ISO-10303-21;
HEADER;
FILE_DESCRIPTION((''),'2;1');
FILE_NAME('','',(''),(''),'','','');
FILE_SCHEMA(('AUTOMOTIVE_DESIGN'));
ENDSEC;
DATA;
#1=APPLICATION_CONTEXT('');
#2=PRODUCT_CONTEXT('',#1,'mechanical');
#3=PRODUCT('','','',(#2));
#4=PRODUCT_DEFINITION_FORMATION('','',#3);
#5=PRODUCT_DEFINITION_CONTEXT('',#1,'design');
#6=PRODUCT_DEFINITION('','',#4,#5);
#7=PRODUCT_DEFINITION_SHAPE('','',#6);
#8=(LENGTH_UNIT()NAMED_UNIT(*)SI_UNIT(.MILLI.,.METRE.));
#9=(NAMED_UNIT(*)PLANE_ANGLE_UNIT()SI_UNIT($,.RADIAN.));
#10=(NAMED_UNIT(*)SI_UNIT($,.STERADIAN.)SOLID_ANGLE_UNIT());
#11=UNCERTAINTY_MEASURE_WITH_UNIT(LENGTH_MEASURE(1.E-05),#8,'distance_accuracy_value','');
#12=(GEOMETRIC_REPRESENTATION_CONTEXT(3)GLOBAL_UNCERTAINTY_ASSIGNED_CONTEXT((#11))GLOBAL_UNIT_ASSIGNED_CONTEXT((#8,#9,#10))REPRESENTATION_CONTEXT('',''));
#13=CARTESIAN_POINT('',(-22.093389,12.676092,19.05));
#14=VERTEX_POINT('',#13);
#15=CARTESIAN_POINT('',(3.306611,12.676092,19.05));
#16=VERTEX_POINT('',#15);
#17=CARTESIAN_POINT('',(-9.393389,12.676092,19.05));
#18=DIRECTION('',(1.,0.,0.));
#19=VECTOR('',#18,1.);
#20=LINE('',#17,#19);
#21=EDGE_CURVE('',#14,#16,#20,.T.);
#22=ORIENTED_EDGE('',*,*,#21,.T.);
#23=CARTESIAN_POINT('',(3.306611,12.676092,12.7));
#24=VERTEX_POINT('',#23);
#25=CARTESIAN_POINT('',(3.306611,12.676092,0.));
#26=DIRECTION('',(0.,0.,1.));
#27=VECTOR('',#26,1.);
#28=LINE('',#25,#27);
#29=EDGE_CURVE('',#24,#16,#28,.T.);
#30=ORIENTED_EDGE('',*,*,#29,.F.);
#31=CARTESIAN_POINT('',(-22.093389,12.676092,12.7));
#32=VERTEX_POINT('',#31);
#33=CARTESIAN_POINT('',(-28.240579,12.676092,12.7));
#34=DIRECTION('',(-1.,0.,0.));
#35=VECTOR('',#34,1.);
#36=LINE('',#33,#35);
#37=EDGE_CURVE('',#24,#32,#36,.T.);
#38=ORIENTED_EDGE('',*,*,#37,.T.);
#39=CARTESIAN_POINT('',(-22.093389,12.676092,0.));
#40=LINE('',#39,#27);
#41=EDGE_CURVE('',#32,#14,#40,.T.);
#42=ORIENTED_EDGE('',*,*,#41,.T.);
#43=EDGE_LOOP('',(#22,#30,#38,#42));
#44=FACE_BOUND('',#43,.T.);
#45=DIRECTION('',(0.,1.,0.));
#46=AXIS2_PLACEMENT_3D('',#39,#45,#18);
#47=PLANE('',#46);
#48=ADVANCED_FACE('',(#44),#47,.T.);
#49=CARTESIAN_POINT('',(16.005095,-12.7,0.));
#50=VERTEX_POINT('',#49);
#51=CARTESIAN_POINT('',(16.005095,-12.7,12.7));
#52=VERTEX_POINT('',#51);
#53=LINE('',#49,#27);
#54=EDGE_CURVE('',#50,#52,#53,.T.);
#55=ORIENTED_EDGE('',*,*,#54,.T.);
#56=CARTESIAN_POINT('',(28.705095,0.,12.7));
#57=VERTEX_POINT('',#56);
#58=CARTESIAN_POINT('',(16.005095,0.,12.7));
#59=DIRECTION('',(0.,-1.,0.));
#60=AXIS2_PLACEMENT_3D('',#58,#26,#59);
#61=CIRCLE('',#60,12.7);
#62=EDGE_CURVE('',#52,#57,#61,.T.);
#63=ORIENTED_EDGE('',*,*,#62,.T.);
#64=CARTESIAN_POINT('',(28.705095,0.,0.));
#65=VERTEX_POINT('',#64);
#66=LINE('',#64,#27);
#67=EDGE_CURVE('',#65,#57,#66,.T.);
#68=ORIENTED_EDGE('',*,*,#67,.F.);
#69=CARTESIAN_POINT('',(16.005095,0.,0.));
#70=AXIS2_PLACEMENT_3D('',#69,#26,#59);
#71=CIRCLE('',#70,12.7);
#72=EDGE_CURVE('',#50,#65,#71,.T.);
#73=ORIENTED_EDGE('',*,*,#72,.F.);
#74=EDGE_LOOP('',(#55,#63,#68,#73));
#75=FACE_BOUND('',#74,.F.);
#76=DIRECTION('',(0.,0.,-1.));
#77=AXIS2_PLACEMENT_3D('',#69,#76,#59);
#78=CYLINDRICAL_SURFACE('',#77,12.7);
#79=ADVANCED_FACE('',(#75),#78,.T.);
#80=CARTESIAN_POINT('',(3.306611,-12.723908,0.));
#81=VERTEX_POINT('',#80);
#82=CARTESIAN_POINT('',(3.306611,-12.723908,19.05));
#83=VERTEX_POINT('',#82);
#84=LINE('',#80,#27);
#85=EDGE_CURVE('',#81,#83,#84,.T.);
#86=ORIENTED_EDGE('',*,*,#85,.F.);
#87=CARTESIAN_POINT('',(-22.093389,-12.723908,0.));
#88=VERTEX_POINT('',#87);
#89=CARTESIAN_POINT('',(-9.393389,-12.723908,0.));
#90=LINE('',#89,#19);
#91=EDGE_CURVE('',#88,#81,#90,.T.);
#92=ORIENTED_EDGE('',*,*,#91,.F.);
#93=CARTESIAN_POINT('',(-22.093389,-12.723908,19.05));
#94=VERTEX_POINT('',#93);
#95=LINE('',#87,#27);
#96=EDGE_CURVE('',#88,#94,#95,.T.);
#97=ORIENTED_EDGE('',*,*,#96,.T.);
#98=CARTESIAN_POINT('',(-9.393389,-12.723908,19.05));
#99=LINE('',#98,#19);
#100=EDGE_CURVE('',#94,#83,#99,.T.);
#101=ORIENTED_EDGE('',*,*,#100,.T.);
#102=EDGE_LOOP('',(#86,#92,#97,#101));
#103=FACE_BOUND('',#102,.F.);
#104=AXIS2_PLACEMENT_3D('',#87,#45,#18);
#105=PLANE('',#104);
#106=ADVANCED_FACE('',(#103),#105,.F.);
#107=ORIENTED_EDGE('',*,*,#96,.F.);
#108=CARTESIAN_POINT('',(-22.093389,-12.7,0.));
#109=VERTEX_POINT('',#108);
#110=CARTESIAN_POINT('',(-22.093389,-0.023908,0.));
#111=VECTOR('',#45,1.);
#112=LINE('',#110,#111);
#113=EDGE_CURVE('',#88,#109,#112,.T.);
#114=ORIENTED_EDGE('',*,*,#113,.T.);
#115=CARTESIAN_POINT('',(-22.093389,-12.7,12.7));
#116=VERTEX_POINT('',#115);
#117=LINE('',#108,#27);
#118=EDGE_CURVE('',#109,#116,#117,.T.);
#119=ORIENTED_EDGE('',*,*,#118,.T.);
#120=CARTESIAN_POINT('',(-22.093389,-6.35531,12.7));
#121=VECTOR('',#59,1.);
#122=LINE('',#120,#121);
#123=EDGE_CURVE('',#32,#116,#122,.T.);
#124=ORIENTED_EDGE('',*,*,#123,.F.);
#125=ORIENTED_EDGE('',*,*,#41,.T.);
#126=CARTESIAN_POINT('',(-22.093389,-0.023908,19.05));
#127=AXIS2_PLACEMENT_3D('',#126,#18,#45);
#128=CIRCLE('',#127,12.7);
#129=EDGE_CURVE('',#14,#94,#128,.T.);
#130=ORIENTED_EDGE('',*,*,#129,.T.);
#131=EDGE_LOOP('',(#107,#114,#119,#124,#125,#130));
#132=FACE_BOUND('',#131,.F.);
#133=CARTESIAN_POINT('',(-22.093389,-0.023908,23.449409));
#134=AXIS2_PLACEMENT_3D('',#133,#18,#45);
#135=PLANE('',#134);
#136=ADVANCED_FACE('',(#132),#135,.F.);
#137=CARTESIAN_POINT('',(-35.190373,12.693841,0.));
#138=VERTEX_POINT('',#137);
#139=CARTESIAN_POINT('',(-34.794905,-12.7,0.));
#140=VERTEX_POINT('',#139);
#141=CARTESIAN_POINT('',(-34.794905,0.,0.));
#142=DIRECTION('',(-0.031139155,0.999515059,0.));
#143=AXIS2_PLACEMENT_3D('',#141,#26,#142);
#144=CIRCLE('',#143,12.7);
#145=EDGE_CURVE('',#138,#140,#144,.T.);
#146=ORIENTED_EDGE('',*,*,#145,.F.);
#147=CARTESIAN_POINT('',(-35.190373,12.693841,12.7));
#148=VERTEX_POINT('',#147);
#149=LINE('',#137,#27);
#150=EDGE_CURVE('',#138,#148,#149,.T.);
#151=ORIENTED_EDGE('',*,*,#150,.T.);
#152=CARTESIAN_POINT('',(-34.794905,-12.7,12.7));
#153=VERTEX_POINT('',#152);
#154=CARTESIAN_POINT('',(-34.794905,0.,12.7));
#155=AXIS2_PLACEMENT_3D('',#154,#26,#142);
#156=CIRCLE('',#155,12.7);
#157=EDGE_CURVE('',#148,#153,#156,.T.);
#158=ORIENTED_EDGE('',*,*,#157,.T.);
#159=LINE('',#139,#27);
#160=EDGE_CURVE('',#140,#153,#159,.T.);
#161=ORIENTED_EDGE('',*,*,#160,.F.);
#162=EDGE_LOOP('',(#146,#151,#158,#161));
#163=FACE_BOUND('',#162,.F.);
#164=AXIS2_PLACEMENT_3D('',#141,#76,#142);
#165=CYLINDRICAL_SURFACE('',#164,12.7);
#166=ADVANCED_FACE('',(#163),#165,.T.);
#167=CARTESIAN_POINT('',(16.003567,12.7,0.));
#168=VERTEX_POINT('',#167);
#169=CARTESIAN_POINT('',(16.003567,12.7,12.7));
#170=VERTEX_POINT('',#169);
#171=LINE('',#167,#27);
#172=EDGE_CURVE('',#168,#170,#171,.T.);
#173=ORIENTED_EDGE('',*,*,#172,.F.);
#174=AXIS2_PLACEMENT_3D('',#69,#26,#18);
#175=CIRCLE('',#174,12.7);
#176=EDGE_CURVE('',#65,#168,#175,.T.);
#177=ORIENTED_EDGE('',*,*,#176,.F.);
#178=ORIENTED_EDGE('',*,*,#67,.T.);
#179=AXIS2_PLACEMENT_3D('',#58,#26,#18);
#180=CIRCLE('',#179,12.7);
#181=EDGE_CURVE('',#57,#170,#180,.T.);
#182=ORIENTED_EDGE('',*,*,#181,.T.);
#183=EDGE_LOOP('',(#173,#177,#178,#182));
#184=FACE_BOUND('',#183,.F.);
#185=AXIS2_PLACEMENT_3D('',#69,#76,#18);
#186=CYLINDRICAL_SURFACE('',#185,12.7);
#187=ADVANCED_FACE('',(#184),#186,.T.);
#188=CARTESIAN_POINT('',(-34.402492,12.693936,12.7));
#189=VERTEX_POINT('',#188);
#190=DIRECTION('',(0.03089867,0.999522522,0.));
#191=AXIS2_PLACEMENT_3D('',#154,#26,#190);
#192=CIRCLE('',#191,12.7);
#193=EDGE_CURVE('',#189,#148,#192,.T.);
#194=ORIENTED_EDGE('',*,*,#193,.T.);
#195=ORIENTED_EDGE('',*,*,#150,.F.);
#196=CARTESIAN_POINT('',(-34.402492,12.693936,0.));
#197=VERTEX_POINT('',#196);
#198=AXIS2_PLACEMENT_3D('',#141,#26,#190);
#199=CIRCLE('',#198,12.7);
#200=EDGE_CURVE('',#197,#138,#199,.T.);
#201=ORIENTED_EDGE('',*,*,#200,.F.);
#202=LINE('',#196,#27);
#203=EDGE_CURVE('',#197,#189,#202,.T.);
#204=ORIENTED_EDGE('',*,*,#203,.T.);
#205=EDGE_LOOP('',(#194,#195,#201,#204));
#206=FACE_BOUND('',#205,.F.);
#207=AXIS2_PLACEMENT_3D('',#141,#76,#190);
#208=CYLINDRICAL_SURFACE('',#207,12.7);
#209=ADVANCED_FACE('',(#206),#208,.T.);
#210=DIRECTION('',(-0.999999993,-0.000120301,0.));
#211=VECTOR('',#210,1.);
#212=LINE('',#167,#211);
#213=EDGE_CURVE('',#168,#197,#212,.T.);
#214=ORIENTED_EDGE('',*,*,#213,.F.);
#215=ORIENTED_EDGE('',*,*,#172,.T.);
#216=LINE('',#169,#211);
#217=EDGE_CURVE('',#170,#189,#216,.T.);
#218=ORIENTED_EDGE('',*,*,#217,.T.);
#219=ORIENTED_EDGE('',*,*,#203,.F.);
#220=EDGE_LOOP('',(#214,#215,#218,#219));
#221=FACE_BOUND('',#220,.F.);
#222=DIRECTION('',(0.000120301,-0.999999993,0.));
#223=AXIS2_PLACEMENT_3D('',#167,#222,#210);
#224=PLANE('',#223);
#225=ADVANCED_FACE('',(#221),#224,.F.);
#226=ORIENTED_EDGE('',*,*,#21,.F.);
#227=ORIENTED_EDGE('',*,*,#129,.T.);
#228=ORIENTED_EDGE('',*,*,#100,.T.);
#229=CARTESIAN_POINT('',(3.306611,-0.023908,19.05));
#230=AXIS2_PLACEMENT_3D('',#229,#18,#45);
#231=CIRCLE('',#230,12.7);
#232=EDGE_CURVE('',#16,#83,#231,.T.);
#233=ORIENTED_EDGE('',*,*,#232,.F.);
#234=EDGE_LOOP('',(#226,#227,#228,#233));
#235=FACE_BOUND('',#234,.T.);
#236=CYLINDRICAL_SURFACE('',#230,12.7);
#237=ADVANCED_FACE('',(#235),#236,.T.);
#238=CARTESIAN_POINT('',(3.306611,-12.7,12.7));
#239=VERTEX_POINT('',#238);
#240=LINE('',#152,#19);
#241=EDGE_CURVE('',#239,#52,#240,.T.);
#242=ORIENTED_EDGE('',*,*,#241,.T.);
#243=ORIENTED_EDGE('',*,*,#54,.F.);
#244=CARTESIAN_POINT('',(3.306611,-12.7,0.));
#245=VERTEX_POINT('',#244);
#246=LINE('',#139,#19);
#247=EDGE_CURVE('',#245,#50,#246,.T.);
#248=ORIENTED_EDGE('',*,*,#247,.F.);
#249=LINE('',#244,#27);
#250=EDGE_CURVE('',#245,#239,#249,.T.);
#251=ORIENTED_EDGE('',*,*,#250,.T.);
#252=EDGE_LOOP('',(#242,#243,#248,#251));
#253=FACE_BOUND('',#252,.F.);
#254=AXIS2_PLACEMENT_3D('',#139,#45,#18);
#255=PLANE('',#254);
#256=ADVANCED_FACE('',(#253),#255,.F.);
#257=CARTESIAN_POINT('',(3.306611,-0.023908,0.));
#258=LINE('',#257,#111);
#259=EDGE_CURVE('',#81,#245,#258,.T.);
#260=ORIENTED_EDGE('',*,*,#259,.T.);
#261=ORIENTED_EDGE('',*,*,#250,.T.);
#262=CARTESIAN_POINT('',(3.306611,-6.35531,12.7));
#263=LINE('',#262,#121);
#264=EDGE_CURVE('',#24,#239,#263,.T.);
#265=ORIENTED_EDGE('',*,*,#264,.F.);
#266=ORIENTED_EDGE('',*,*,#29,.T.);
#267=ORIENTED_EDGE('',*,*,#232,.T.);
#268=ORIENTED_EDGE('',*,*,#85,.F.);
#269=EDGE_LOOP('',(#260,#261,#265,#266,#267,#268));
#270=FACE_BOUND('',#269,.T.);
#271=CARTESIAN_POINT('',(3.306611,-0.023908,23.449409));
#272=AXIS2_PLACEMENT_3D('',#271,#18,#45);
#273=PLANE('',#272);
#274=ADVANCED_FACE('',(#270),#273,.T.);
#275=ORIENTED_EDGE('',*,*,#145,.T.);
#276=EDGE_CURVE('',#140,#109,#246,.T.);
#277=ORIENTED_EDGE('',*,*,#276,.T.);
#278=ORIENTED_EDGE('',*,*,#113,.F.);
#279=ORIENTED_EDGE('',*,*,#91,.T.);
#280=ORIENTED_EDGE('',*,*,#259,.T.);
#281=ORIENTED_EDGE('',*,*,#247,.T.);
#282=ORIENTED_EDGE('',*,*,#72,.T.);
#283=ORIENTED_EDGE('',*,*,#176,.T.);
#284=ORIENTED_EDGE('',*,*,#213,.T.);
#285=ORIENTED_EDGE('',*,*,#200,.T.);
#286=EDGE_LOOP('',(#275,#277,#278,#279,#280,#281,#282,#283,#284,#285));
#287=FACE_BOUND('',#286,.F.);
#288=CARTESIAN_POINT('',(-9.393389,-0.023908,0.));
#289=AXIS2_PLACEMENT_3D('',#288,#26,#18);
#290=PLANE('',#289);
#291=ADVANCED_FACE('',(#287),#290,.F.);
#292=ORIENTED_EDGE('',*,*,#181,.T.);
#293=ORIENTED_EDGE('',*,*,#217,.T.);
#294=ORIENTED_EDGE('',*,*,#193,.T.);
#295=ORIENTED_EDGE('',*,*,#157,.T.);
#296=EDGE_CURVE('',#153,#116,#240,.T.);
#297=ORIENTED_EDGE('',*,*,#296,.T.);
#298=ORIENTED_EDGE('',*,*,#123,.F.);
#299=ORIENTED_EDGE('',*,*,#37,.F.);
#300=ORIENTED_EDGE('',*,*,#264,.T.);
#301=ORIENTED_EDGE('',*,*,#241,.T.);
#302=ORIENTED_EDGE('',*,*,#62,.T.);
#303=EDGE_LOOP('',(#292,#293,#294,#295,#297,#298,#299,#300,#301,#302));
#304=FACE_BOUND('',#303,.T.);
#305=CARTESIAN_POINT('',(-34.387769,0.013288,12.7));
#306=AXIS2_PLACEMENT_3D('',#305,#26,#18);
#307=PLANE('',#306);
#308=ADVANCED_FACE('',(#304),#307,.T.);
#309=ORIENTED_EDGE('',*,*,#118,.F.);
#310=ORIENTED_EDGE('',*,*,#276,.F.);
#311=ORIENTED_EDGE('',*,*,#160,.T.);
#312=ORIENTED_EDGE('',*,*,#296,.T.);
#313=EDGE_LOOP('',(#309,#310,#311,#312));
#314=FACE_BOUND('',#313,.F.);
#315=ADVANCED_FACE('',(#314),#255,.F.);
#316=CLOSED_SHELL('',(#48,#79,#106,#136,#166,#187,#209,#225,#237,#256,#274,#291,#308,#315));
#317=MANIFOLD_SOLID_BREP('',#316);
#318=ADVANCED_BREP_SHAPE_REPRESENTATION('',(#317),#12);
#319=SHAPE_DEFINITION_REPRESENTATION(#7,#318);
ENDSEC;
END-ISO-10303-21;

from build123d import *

# Parameters (mm, degrees)
F1_DEPTH = 12.7
F2_W     = 25.4
F2_H     = 25.4
F3_DEPTH = 19.05
F5_DEPTH = 25.4


with BuildPart() as f1:
    # F0 (on Top) → F1 (new body)
    with BuildSketch(Plane.XY):
        with BuildLine():
            Line((-34.4024921656, 12.6939360307), (-35.190372549, 12.6938412482))
            ThreePointArc((-35.190372549, 12.6938412482), (-47.493365494, -0.1977576135), (-34.7949052753, -12.7))
            ThreePointArc((-34.7949052753, -12.7), (-25.8146491543, -8.9802561211), (-22.0949052753, 0))
            ThreePointArc((-22.0949052753, 0), (-25.6769656371, 8.840428539), (-34.4024921656, 12.6939360307))
        make_face()
        with BuildLine():
            ThreePointArc((-34.4024921656, 12.6939360307), (-34.7964330925, 12.6999999081), (-35.190372549, 12.6938412482))
            Line((-35.190372549, 12.6938412482), (-34.4024921656, 12.6939360307))
        make_face()
        with BuildLine():
            ThreePointArc((-22.0949052753, 0), (-25.8146491543, -8.9802561211), (-34.7949052753, -12.7))
            Line((-34.7949052753, -12.7), (16.0050947247, -12.7))
            ThreePointArc((16.0050947247, -12.7), (3.3050947477, -0.0007639086), (16.0035669075, 12.6999999081))
            Line((16.0035669075, 12.6999999081), (-34.4024921656, 12.6939360307))
            ThreePointArc((-34.4024921656, 12.6939360307), (-25.6769656371, 8.840428539), (-22.0949052753, 0))
        make_face()
        with BuildLine():
            ThreePointArc((16.0035669075, 12.6999999081), (3.3050947477, -0.0007639086), (16.0050947247, -12.7))
            ThreePointArc((16.0050947247, -12.7), (24.9853508457, -8.9802561211), (28.7050947247, 0))
            ThreePointArc((28.7050947247, 0), (24.9848106646, 8.9807962698), (16.0035669075, 12.6999999081))
        make_face()
    extrude(amount=F1_DEPTH)

    # F2 (on Top) → F3 (join)
    with BuildSketch(Plane.XY):
        with Locations((-9.3933891925, -0.0239079818)):
            Rectangle(F2_W, F2_H)
    extrude(amount=F3_DEPTH)

    # F4 (on face) → F5 (join)
    with BuildSketch(Plane.YZ.offset(3.3066108075)):
        with BuildLine():
            Line((-12.7239079818, 19.05), (12.6760920182, 19.05))
            ThreePointArc((12.6760920182, 19.05), (-0.0239079818, 31.75), (-12.7239079818, 19.05))
        make_face()
    extrude(amount=-F5_DEPTH)


solid = f1.part
